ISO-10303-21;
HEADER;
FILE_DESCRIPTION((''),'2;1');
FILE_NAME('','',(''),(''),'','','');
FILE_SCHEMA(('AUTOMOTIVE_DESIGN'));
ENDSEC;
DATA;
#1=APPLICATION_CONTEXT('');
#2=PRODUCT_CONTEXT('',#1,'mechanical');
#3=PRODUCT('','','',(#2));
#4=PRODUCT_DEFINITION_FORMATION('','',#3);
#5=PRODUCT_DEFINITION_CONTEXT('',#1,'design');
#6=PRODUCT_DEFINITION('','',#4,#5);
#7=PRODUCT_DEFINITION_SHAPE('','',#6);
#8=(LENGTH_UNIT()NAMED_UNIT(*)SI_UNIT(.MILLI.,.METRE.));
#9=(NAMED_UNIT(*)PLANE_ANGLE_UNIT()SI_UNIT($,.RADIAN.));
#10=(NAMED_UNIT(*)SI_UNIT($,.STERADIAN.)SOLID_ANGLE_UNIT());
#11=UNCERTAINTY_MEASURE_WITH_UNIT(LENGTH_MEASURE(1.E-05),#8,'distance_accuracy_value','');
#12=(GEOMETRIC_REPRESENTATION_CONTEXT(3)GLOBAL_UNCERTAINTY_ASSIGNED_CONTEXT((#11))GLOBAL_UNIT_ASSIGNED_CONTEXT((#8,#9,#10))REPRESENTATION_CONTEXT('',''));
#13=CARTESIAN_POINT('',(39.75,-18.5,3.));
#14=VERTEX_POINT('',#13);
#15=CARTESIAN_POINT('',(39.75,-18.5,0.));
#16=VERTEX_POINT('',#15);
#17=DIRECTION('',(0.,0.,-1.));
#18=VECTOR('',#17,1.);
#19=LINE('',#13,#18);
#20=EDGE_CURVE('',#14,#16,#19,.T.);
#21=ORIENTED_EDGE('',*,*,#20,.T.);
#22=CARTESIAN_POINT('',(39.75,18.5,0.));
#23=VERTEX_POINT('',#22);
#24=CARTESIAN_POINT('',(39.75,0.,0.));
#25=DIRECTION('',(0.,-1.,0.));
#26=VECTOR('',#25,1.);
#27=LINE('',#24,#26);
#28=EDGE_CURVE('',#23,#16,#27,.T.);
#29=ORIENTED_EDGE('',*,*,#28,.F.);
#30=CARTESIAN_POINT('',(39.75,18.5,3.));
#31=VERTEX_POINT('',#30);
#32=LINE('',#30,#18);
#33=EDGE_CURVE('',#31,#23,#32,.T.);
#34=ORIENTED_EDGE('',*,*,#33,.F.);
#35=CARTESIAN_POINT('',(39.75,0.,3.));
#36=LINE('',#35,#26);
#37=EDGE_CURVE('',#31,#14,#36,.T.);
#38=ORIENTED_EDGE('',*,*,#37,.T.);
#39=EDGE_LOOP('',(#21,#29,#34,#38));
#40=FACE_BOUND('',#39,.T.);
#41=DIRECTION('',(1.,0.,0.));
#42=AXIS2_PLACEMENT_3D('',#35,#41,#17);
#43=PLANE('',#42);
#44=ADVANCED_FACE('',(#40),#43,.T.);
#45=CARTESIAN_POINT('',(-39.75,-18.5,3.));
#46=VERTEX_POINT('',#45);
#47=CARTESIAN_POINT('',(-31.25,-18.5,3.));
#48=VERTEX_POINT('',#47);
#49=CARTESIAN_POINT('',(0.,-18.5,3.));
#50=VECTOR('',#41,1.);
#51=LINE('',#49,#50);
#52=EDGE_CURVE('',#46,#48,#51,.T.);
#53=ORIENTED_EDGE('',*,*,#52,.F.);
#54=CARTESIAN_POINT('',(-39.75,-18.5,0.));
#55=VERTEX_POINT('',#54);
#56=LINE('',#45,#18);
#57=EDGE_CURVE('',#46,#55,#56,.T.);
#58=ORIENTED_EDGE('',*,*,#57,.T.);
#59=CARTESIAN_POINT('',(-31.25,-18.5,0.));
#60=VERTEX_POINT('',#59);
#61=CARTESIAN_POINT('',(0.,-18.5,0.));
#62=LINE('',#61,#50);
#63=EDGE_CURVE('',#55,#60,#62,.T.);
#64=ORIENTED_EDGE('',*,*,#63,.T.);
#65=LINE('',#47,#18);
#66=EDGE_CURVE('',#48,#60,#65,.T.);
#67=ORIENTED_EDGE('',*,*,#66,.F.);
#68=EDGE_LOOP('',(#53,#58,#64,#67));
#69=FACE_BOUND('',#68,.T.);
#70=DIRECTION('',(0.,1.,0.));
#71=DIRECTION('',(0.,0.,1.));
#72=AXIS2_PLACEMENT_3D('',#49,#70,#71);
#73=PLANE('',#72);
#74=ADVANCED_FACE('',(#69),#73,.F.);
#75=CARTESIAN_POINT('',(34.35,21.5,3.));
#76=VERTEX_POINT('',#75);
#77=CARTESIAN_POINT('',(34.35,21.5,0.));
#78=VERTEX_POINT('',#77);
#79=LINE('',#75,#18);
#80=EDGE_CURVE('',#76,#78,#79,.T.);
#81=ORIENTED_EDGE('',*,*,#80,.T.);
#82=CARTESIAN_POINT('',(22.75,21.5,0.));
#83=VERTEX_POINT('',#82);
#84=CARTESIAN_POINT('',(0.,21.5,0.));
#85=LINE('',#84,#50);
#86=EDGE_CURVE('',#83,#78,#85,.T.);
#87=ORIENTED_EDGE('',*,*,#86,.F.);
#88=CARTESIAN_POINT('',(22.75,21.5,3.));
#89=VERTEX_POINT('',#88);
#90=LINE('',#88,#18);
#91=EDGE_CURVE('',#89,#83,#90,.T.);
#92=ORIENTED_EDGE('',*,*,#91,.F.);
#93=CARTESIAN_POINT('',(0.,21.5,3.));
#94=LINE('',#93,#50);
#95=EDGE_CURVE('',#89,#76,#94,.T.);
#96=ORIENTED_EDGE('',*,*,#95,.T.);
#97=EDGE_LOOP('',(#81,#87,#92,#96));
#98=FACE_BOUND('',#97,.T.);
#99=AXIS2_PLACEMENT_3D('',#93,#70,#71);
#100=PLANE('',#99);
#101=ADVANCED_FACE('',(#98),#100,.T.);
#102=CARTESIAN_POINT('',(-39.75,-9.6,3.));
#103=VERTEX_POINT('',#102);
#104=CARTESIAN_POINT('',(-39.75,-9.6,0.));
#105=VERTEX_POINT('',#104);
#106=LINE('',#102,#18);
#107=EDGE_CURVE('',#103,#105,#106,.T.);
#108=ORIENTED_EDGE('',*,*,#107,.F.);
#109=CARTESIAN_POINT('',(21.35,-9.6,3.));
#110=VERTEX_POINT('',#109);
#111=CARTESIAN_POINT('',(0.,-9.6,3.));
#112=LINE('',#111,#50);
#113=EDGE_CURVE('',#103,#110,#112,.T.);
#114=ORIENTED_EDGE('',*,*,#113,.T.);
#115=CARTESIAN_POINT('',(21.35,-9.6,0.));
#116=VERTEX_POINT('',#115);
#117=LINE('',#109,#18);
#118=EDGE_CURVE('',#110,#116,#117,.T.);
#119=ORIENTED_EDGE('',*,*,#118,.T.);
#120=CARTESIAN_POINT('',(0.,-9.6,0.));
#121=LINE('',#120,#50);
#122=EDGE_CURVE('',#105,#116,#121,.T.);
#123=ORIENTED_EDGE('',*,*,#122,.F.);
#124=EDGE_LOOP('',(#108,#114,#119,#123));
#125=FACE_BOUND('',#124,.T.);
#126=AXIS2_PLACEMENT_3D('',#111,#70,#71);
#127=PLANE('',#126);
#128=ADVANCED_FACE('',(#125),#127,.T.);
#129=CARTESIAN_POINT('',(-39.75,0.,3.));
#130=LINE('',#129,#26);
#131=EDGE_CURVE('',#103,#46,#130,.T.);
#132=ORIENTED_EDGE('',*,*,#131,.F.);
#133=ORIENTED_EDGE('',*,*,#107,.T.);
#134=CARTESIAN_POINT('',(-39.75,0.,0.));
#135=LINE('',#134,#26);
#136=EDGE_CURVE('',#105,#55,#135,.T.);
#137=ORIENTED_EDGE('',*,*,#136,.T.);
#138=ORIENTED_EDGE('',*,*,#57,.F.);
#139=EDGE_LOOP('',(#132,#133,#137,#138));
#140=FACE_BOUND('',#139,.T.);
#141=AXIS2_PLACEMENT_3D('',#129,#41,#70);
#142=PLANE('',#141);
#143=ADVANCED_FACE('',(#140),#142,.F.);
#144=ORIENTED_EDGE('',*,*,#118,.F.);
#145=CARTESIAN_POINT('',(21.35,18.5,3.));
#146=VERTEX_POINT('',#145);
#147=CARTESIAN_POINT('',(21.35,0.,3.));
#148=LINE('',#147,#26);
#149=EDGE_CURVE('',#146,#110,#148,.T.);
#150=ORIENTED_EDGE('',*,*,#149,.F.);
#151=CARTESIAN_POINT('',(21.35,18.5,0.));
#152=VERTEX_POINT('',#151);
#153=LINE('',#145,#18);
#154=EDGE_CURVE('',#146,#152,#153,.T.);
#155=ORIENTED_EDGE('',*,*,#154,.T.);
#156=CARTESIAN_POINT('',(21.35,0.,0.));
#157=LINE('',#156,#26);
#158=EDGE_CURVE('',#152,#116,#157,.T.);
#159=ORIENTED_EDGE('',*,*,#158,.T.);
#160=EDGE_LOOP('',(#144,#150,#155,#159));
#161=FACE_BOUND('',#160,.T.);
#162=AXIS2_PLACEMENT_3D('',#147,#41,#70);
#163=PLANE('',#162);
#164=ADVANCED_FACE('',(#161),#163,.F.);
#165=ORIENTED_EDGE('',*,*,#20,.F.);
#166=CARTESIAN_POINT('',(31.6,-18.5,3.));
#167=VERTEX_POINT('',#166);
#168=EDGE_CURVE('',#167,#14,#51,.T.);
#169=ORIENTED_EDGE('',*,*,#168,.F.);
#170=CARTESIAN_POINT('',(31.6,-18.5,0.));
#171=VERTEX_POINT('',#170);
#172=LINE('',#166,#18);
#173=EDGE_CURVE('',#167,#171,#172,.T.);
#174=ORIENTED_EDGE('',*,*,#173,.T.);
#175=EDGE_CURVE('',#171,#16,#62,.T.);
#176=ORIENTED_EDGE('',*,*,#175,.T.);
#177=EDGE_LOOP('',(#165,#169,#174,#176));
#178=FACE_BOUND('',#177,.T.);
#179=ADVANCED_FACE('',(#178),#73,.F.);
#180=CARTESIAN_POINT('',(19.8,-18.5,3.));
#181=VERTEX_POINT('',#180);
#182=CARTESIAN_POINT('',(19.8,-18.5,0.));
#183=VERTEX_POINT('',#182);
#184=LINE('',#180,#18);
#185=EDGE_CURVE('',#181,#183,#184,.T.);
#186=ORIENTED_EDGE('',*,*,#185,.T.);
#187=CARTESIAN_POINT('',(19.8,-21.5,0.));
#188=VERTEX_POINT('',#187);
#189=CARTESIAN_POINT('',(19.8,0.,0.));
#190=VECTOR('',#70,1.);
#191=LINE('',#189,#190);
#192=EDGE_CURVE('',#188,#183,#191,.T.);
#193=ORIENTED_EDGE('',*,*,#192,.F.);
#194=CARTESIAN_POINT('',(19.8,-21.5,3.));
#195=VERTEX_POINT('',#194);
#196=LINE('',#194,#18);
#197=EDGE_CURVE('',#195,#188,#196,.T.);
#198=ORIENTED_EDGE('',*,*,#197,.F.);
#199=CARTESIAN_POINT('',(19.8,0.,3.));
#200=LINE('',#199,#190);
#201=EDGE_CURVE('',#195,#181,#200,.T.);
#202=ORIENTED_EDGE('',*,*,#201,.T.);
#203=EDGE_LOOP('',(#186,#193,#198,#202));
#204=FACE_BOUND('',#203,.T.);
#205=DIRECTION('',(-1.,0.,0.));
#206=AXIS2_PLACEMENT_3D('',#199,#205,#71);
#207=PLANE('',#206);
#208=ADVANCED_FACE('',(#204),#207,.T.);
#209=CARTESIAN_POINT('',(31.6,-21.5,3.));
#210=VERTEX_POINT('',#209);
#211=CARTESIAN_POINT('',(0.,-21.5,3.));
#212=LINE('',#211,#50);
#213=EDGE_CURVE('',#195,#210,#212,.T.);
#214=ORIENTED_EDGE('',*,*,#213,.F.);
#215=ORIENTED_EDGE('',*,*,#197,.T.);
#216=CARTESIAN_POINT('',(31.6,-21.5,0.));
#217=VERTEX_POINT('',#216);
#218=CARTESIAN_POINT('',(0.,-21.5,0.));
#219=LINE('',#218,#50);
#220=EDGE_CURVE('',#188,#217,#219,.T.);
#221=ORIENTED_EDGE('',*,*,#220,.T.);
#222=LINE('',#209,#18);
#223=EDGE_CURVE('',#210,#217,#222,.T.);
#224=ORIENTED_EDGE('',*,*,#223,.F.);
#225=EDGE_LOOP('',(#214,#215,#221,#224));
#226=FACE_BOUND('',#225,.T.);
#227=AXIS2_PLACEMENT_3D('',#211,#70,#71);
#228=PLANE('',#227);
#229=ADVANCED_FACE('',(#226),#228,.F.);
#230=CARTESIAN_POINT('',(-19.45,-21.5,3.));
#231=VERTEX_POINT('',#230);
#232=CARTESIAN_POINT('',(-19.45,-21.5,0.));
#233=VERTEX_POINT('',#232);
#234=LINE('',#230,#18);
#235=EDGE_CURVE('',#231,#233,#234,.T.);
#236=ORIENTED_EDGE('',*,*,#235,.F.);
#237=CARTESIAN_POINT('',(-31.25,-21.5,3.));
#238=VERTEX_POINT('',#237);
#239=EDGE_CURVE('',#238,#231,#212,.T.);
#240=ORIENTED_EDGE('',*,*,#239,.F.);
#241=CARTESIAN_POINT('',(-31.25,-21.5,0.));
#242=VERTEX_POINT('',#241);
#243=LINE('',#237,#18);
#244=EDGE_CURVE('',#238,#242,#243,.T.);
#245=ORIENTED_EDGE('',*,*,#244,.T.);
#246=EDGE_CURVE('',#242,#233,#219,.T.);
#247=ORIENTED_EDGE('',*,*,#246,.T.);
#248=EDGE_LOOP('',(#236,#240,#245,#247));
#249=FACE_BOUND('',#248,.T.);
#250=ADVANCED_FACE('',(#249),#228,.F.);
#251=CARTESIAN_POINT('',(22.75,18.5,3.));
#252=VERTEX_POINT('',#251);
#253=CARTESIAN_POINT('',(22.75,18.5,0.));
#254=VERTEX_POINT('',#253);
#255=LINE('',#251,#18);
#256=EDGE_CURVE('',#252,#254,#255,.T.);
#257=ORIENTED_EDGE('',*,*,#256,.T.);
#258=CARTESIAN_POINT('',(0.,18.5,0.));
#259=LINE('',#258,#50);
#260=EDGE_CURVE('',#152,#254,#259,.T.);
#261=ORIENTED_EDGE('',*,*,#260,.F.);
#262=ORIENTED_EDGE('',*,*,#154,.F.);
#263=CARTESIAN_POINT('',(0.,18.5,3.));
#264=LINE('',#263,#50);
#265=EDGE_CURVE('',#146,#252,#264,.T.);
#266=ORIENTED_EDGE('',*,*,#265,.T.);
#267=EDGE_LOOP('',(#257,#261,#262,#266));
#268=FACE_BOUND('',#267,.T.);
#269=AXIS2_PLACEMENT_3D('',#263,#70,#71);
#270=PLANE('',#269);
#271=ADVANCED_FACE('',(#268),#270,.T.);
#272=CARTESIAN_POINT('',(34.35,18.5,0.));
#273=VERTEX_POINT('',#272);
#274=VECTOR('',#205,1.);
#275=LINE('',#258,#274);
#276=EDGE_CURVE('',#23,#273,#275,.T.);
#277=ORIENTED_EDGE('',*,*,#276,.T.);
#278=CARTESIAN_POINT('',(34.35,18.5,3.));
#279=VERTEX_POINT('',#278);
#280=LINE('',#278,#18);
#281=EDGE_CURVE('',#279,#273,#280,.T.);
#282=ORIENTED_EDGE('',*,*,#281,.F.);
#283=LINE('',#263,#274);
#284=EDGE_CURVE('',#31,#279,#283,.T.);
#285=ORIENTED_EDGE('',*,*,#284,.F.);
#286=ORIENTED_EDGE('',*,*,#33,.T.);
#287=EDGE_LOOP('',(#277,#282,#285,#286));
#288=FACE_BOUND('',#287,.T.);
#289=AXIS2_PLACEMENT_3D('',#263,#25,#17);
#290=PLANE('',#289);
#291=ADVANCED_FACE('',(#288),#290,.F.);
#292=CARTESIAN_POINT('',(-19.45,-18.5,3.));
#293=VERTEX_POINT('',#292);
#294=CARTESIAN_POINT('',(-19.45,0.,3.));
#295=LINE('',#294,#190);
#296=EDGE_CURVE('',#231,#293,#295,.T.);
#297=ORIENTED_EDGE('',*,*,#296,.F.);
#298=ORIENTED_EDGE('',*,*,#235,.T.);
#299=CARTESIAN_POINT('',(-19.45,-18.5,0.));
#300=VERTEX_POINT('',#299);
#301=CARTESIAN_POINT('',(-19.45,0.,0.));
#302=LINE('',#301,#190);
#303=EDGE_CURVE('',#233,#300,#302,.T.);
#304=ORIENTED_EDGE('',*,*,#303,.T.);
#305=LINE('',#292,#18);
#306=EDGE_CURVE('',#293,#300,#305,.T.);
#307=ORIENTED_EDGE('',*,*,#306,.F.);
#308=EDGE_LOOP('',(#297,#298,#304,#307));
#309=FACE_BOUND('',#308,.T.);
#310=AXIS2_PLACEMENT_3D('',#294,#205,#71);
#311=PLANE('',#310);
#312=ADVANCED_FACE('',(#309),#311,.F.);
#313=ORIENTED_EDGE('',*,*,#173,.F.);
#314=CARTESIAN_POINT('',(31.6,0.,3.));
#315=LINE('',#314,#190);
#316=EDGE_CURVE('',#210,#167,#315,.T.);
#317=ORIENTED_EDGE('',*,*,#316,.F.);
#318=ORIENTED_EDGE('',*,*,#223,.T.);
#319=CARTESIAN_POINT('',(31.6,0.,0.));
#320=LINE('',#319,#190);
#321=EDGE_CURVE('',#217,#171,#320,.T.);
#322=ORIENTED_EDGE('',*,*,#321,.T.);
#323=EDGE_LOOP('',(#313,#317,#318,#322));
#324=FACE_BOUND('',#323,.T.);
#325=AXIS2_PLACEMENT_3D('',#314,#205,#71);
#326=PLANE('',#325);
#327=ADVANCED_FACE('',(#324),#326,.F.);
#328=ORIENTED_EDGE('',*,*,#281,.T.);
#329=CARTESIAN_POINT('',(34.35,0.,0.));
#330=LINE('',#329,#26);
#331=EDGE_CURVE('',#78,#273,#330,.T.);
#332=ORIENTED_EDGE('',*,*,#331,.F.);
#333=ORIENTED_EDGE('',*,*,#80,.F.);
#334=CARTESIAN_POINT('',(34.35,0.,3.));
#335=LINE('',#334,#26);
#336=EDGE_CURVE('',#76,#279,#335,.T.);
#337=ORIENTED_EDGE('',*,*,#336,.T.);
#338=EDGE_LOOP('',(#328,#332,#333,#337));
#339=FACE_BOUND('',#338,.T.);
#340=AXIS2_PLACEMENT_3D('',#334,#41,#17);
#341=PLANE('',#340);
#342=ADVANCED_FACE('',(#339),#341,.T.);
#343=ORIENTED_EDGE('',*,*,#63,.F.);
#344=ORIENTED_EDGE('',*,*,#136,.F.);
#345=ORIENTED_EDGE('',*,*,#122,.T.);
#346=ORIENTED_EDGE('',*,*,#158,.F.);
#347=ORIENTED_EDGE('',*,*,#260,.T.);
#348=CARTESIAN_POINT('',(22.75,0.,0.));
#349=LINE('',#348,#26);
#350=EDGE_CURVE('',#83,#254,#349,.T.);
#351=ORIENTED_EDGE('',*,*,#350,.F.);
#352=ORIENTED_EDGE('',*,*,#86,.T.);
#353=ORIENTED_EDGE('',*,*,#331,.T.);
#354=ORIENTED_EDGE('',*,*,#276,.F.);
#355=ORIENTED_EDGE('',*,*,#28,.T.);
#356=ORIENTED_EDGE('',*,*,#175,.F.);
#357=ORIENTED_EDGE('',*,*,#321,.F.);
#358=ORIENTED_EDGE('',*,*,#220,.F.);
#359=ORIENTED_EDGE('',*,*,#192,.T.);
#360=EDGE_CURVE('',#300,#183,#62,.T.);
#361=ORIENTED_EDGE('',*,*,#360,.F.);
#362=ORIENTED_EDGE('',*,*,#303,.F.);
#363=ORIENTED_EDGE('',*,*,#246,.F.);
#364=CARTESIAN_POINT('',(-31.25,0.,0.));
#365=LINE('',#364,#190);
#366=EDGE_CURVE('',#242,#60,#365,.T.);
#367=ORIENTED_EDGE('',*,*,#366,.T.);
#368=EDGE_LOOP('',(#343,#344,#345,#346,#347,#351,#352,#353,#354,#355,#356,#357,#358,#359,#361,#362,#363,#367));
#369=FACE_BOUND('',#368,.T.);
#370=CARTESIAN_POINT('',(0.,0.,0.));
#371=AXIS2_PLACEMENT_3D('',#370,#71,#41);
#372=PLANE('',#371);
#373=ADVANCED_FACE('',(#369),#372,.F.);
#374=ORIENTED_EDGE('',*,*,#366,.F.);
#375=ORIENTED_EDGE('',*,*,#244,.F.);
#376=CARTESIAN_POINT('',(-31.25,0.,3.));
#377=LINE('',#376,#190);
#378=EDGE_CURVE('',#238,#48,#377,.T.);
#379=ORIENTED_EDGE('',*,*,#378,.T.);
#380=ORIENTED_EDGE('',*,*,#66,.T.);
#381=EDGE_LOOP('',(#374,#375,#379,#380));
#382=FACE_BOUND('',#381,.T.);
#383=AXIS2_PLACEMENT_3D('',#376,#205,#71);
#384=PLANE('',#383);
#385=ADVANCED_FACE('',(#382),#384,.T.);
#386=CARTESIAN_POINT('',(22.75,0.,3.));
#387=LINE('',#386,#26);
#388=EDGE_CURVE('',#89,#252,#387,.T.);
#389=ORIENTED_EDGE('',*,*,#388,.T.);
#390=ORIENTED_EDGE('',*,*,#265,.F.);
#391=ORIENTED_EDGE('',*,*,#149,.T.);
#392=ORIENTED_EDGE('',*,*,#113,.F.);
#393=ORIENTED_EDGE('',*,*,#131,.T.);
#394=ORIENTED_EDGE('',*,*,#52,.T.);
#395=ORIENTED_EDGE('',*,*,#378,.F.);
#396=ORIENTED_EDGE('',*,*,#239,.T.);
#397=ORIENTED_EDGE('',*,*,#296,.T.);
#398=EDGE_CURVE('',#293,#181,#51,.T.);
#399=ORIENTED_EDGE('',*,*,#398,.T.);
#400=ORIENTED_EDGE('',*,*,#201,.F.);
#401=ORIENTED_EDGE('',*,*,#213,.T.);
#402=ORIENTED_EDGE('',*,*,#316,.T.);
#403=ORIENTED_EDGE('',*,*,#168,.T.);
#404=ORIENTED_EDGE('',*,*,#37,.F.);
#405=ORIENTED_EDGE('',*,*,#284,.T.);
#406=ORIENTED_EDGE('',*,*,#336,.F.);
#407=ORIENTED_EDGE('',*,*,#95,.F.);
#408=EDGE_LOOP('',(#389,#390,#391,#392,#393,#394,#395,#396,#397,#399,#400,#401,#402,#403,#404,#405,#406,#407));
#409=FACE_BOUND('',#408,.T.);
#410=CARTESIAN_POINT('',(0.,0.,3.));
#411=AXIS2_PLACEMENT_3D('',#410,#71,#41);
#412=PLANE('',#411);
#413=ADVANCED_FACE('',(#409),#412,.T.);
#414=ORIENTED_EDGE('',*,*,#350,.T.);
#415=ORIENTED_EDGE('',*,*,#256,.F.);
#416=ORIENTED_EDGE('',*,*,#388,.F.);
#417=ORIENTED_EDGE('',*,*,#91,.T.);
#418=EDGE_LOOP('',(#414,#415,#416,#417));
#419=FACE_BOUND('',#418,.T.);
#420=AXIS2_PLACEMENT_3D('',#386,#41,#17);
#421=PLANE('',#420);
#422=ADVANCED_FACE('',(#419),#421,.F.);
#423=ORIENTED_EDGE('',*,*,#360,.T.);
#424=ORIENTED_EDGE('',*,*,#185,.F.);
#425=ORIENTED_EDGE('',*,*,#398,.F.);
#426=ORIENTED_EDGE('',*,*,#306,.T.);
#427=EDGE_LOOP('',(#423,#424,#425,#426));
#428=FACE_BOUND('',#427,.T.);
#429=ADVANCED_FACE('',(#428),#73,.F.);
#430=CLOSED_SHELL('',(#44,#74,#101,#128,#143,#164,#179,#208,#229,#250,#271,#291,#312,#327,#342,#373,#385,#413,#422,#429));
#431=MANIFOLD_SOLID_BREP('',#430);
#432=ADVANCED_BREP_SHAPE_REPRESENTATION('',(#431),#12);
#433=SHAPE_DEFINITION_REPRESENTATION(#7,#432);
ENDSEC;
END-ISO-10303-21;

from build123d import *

# Parameters (mm, degrees)
SALIENTE_EXTRUIR1_DEPTH = 3


with BuildPart() as part:
    # Croquis1 → Saliente-Extruir1 (new body)
    with BuildSketch(Plane.XY):
        Polygon((21.35, -9.6), (-39.75, -9.6), (-39.75, -18.5), (-31.25, -18.5), (-31.25, -21.5), (-19.45, -21.5), (-19.45, -18.5), (19.8, -18.5), (19.8, -21.5), (31.6, -21.5), (31.6, -18.5), (39.75, -18.5), (39.75, 18.5), (34.35, 18.5), (34.35, 21.5), (22.75, 21.5), (22.75, 18.5), (21.35, 18.5), align=None)
    extrude(amount=SALIENTE_EXTRUIR1_DEPTH)


solid = part.part
